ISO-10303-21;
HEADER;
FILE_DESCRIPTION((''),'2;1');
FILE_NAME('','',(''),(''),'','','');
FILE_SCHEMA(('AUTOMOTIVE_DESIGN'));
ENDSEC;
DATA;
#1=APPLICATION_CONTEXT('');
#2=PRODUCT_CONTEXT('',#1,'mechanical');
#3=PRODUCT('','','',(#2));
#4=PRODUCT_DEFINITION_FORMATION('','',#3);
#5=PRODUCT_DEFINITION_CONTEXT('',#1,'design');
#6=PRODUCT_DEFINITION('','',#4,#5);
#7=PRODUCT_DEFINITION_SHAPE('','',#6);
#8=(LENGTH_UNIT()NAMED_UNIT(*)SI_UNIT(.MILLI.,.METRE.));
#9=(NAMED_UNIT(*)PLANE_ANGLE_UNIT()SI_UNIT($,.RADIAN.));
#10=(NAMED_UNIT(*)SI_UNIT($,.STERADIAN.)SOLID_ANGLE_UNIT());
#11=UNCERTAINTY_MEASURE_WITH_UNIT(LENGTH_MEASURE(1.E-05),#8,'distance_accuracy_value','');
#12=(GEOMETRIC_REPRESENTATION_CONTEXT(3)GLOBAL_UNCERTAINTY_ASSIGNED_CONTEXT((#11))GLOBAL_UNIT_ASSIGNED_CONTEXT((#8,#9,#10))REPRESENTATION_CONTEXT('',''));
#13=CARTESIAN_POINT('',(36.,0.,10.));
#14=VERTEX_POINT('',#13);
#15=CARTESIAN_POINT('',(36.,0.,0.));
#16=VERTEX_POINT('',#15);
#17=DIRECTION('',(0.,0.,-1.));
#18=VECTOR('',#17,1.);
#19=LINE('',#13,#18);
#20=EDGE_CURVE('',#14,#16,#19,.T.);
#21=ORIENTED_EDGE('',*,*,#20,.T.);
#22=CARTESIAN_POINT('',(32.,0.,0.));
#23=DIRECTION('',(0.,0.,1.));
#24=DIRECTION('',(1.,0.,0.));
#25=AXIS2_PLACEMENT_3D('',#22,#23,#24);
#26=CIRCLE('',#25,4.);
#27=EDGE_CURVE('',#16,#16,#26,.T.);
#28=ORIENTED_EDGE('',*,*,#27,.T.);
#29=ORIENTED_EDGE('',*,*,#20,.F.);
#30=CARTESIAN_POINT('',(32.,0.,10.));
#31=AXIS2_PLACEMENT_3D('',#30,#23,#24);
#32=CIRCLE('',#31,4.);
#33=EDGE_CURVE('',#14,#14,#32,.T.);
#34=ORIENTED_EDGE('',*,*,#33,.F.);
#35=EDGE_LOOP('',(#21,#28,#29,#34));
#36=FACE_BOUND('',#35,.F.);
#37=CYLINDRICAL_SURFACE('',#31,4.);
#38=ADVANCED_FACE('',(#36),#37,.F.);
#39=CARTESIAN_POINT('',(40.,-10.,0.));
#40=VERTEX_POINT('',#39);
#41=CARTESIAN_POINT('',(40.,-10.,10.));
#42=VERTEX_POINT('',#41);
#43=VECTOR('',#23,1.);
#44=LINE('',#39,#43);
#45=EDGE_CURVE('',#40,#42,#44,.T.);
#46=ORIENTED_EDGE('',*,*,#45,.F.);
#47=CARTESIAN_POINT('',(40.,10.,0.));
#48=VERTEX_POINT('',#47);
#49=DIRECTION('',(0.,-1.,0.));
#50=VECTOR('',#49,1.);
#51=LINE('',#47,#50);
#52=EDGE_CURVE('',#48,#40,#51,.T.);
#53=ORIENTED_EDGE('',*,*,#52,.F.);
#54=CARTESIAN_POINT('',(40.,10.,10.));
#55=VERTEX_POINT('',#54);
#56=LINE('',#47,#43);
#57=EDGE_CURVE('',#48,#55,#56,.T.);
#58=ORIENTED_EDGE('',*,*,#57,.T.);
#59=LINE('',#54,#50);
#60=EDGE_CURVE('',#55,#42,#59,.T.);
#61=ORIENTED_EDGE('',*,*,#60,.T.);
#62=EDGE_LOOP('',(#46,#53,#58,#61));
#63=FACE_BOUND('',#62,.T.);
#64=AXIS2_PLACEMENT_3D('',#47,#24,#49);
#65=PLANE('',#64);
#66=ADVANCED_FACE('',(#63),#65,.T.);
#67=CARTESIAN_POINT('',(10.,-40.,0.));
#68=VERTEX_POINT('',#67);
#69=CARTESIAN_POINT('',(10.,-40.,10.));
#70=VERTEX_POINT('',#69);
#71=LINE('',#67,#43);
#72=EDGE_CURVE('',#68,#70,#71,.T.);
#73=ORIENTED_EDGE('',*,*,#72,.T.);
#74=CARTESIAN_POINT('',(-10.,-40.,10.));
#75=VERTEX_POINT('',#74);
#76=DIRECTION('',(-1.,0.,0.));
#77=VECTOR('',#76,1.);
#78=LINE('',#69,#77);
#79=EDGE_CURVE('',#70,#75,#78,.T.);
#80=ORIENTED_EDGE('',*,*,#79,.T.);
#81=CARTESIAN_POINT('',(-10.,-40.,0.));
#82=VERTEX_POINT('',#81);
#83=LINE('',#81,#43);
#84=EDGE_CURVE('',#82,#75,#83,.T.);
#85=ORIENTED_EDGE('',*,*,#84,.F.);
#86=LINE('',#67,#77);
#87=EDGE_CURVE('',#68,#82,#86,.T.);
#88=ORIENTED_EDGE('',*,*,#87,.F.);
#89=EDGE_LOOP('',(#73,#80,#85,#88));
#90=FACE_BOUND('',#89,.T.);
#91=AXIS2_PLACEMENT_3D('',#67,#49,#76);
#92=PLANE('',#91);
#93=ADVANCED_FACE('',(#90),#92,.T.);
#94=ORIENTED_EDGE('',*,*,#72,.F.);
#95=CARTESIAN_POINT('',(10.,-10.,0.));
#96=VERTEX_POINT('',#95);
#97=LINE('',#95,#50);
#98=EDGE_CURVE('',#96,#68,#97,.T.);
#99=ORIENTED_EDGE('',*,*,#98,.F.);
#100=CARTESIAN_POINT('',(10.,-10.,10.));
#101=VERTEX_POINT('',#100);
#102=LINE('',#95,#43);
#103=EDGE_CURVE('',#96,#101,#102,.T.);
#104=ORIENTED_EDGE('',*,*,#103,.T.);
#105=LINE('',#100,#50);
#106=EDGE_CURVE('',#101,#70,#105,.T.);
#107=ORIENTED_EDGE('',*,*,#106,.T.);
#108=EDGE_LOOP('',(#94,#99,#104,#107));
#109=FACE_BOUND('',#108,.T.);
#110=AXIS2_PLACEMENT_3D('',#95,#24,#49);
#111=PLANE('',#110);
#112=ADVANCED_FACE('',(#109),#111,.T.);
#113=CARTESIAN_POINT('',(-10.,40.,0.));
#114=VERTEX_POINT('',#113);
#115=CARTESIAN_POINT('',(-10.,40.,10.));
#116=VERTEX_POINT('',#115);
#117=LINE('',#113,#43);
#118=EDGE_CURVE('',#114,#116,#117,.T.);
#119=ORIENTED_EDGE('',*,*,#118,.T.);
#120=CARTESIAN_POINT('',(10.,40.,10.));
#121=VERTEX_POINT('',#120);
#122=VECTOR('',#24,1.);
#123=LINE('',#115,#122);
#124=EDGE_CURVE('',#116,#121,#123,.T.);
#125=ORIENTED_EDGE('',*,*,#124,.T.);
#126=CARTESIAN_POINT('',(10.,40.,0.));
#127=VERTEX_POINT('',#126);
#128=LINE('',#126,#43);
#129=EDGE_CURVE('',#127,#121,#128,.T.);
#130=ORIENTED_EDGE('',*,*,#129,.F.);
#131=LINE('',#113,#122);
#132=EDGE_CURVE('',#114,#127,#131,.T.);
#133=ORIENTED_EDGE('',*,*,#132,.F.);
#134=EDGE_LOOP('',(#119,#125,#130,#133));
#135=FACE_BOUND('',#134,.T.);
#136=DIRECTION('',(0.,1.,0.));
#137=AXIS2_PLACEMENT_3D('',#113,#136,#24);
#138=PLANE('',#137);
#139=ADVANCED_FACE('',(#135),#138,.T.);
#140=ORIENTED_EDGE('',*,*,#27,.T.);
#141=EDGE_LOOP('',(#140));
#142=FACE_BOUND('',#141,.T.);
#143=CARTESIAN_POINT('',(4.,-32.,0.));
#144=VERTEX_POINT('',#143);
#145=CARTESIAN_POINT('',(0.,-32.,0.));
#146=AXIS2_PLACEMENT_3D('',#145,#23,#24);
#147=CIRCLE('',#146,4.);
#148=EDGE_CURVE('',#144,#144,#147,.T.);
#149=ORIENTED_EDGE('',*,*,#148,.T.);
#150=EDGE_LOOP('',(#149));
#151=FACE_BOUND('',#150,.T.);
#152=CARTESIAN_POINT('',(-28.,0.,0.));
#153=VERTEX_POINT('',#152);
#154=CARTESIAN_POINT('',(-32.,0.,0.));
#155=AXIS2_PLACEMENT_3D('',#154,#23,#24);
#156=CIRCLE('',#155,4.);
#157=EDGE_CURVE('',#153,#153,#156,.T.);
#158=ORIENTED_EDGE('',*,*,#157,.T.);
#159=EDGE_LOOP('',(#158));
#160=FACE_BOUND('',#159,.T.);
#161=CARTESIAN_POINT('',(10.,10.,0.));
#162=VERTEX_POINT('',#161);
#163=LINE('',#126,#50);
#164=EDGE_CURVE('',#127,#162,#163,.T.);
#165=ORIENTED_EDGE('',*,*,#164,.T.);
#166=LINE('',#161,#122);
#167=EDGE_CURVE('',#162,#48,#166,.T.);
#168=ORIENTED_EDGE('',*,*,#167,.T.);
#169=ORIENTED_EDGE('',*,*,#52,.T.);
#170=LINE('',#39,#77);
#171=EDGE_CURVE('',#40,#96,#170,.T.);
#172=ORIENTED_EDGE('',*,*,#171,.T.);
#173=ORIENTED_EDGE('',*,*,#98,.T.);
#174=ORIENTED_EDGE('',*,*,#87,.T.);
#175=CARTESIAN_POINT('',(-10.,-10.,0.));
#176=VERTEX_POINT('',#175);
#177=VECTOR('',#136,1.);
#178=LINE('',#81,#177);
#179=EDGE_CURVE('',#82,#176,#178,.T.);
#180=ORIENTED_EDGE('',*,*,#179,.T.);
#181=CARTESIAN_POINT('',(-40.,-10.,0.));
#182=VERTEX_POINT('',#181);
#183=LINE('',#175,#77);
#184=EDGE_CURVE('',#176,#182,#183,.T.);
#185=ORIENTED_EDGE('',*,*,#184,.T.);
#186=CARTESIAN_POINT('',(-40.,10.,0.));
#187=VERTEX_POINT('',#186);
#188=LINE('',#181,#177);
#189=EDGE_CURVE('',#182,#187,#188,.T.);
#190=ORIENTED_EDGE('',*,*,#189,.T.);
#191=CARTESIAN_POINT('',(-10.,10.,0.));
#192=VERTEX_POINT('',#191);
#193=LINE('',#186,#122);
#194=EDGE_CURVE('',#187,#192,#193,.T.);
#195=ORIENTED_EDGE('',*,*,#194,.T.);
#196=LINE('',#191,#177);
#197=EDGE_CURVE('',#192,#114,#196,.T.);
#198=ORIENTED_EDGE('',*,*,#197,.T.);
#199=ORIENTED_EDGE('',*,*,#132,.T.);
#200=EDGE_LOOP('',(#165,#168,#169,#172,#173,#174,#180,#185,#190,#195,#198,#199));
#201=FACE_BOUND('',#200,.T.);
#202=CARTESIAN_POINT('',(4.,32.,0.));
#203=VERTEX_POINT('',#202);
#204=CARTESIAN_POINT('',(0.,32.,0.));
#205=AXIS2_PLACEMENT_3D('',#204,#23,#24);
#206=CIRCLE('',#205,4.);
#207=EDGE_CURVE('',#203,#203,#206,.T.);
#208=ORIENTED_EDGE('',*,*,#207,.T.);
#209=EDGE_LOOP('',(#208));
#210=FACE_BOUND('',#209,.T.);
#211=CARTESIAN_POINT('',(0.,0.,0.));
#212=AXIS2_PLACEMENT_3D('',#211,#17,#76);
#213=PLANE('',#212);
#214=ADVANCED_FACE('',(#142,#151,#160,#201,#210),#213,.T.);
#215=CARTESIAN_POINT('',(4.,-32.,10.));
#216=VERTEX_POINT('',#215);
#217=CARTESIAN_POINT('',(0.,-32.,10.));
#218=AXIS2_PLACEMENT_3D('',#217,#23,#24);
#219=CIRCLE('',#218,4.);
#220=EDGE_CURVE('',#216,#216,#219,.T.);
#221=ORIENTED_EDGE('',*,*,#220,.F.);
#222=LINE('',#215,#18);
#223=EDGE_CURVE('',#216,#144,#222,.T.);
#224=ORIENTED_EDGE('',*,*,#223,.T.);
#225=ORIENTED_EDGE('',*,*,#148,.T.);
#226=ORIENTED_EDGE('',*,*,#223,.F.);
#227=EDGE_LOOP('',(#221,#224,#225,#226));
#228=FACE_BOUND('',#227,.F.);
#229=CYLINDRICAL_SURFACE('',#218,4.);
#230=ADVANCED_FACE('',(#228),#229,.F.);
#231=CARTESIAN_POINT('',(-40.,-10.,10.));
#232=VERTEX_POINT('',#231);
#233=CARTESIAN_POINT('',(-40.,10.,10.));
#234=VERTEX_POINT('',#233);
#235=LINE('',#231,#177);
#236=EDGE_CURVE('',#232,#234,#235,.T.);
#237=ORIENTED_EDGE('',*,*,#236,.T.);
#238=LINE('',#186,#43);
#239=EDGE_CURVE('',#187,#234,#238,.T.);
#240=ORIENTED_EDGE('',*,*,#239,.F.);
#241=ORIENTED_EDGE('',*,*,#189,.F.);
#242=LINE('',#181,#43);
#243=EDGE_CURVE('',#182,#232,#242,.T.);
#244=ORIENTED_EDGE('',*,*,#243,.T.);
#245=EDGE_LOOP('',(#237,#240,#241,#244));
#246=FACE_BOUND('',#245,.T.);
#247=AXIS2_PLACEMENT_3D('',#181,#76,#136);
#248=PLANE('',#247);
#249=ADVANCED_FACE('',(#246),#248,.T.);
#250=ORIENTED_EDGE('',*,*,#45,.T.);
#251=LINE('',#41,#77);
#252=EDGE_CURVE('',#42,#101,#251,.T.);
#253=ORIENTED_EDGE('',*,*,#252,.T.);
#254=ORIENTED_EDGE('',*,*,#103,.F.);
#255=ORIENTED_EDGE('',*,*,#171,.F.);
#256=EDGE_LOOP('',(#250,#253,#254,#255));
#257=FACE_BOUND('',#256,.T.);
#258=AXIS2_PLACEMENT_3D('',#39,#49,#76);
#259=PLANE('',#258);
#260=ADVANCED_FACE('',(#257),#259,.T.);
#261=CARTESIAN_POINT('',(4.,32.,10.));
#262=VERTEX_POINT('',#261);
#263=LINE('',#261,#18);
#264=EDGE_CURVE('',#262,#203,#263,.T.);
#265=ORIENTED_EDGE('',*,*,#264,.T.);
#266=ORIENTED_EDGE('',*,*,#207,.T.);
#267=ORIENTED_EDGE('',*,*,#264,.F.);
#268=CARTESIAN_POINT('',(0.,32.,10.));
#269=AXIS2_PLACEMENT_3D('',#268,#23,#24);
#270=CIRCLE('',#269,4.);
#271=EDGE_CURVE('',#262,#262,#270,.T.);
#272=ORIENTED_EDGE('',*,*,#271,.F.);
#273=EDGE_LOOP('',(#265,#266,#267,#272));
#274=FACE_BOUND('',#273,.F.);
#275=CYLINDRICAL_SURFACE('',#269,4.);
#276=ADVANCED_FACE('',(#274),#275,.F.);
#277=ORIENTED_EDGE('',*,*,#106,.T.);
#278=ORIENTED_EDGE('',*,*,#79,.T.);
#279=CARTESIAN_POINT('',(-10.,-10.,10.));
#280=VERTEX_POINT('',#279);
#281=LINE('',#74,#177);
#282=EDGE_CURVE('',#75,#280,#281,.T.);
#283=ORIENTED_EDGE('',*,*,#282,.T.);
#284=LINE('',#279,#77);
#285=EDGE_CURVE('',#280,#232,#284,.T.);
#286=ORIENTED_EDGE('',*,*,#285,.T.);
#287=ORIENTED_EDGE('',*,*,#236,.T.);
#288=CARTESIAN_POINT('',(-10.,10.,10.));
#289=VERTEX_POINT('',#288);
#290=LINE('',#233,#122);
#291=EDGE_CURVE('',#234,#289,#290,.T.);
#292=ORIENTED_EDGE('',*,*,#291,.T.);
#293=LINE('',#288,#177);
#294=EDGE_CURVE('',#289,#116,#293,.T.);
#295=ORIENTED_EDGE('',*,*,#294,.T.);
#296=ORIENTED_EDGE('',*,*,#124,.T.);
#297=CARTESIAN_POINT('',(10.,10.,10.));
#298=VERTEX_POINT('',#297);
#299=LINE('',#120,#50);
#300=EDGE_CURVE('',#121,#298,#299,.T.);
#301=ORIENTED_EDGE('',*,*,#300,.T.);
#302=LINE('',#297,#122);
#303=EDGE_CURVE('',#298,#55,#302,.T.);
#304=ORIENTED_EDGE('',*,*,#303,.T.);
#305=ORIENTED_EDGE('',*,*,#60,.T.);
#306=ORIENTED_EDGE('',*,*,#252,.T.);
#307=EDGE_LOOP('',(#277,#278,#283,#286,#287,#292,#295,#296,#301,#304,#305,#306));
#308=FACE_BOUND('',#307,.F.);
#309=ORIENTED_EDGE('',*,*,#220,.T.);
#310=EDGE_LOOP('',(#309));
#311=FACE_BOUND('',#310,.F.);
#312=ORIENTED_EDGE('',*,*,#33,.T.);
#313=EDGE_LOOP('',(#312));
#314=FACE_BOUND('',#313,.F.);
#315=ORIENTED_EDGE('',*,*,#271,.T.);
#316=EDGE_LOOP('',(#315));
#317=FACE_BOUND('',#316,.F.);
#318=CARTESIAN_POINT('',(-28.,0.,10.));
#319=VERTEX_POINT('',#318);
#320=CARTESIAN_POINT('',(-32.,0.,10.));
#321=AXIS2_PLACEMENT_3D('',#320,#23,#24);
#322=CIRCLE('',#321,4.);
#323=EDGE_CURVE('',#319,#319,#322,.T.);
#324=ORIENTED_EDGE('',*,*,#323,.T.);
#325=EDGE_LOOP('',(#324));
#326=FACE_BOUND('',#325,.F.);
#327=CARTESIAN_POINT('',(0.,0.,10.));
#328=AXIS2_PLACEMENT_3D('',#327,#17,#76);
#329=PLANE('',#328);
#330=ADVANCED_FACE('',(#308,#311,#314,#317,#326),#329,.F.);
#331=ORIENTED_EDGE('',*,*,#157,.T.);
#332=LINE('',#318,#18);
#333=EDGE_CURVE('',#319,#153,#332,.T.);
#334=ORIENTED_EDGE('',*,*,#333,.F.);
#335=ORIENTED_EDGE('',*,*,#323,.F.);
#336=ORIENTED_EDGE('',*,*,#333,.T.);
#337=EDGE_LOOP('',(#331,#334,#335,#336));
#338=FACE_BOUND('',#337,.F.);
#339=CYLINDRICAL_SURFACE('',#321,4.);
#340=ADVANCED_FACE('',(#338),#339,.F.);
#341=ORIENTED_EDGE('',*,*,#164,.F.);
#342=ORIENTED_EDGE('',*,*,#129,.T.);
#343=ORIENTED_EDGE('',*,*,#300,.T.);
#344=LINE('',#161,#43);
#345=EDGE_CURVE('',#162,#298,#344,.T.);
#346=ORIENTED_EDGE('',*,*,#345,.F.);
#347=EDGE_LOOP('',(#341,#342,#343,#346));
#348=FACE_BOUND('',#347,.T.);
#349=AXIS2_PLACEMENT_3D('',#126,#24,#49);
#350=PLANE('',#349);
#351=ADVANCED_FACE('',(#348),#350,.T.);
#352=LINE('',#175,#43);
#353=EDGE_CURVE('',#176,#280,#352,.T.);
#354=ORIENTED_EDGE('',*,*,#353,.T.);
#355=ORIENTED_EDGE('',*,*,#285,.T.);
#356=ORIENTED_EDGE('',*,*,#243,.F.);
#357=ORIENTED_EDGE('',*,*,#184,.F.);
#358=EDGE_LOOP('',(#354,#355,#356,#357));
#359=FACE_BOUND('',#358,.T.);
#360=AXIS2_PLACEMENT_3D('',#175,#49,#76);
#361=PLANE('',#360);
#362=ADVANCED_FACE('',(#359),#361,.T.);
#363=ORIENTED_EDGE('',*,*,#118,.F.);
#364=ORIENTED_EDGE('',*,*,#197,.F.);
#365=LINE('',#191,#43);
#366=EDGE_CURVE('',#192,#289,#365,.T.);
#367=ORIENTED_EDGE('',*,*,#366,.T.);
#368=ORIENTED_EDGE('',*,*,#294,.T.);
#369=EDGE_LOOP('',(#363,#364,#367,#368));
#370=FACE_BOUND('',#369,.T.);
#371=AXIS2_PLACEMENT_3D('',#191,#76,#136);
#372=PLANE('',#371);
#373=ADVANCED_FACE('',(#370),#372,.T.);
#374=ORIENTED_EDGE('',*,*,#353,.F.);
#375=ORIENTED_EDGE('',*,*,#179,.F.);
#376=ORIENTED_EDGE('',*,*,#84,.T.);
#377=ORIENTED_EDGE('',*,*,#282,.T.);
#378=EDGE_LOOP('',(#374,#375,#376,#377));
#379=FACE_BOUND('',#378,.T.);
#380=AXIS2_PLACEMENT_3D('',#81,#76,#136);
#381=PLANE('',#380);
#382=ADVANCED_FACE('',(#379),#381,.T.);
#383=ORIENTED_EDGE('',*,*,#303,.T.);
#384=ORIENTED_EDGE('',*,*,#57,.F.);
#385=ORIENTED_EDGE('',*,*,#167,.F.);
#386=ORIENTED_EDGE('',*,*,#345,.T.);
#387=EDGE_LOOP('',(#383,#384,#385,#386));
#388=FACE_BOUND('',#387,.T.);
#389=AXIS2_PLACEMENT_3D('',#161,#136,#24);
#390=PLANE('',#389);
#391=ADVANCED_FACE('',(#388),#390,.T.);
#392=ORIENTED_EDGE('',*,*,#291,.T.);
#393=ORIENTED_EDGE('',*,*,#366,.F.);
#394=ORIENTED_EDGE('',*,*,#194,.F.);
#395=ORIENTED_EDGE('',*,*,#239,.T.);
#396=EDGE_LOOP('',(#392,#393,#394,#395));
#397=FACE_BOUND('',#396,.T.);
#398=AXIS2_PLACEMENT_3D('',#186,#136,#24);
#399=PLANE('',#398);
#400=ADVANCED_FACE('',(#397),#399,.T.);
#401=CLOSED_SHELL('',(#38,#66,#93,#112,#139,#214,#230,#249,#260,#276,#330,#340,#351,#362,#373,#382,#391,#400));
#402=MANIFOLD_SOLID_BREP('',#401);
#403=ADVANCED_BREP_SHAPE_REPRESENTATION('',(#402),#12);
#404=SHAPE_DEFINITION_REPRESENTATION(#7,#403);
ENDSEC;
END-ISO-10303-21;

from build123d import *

# Parameters (mm, degrees)
PAD_DEPTH    = 10
SKETCH001_R  = 4
POCKET_DEPTH = 10.001


with BuildPart() as part:
    # Sketch → Pad (new body)
    with BuildSketch(Plane.XY):
        Polygon((-10, 40), (10, 40), (10, 10), (40, 10), (40, -10), (10, -10), (10, -40), (-10, -40), (-10, -10), (-40, -10), (-40, 10), (-10, 10), align=None)
    extrude(amount=PAD_DEPTH)

    # Sketch001 → Pocket (cut, through all)
    with BuildSketch(Plane.XY.offset(10)):
        with Locations((0, 32)):
            Circle(SKETCH001_R)
        with Locations((-32, 0)):
            Circle(SKETCH001_R)
        with Locations((0, -32)):
            Circle(SKETCH001_R)
        with Locations((32, 0)):
            Circle(SKETCH001_R)
    extrude(amount=-POCKET_DEPTH, mode=Mode.SUBTRACT)


solid = part.part
